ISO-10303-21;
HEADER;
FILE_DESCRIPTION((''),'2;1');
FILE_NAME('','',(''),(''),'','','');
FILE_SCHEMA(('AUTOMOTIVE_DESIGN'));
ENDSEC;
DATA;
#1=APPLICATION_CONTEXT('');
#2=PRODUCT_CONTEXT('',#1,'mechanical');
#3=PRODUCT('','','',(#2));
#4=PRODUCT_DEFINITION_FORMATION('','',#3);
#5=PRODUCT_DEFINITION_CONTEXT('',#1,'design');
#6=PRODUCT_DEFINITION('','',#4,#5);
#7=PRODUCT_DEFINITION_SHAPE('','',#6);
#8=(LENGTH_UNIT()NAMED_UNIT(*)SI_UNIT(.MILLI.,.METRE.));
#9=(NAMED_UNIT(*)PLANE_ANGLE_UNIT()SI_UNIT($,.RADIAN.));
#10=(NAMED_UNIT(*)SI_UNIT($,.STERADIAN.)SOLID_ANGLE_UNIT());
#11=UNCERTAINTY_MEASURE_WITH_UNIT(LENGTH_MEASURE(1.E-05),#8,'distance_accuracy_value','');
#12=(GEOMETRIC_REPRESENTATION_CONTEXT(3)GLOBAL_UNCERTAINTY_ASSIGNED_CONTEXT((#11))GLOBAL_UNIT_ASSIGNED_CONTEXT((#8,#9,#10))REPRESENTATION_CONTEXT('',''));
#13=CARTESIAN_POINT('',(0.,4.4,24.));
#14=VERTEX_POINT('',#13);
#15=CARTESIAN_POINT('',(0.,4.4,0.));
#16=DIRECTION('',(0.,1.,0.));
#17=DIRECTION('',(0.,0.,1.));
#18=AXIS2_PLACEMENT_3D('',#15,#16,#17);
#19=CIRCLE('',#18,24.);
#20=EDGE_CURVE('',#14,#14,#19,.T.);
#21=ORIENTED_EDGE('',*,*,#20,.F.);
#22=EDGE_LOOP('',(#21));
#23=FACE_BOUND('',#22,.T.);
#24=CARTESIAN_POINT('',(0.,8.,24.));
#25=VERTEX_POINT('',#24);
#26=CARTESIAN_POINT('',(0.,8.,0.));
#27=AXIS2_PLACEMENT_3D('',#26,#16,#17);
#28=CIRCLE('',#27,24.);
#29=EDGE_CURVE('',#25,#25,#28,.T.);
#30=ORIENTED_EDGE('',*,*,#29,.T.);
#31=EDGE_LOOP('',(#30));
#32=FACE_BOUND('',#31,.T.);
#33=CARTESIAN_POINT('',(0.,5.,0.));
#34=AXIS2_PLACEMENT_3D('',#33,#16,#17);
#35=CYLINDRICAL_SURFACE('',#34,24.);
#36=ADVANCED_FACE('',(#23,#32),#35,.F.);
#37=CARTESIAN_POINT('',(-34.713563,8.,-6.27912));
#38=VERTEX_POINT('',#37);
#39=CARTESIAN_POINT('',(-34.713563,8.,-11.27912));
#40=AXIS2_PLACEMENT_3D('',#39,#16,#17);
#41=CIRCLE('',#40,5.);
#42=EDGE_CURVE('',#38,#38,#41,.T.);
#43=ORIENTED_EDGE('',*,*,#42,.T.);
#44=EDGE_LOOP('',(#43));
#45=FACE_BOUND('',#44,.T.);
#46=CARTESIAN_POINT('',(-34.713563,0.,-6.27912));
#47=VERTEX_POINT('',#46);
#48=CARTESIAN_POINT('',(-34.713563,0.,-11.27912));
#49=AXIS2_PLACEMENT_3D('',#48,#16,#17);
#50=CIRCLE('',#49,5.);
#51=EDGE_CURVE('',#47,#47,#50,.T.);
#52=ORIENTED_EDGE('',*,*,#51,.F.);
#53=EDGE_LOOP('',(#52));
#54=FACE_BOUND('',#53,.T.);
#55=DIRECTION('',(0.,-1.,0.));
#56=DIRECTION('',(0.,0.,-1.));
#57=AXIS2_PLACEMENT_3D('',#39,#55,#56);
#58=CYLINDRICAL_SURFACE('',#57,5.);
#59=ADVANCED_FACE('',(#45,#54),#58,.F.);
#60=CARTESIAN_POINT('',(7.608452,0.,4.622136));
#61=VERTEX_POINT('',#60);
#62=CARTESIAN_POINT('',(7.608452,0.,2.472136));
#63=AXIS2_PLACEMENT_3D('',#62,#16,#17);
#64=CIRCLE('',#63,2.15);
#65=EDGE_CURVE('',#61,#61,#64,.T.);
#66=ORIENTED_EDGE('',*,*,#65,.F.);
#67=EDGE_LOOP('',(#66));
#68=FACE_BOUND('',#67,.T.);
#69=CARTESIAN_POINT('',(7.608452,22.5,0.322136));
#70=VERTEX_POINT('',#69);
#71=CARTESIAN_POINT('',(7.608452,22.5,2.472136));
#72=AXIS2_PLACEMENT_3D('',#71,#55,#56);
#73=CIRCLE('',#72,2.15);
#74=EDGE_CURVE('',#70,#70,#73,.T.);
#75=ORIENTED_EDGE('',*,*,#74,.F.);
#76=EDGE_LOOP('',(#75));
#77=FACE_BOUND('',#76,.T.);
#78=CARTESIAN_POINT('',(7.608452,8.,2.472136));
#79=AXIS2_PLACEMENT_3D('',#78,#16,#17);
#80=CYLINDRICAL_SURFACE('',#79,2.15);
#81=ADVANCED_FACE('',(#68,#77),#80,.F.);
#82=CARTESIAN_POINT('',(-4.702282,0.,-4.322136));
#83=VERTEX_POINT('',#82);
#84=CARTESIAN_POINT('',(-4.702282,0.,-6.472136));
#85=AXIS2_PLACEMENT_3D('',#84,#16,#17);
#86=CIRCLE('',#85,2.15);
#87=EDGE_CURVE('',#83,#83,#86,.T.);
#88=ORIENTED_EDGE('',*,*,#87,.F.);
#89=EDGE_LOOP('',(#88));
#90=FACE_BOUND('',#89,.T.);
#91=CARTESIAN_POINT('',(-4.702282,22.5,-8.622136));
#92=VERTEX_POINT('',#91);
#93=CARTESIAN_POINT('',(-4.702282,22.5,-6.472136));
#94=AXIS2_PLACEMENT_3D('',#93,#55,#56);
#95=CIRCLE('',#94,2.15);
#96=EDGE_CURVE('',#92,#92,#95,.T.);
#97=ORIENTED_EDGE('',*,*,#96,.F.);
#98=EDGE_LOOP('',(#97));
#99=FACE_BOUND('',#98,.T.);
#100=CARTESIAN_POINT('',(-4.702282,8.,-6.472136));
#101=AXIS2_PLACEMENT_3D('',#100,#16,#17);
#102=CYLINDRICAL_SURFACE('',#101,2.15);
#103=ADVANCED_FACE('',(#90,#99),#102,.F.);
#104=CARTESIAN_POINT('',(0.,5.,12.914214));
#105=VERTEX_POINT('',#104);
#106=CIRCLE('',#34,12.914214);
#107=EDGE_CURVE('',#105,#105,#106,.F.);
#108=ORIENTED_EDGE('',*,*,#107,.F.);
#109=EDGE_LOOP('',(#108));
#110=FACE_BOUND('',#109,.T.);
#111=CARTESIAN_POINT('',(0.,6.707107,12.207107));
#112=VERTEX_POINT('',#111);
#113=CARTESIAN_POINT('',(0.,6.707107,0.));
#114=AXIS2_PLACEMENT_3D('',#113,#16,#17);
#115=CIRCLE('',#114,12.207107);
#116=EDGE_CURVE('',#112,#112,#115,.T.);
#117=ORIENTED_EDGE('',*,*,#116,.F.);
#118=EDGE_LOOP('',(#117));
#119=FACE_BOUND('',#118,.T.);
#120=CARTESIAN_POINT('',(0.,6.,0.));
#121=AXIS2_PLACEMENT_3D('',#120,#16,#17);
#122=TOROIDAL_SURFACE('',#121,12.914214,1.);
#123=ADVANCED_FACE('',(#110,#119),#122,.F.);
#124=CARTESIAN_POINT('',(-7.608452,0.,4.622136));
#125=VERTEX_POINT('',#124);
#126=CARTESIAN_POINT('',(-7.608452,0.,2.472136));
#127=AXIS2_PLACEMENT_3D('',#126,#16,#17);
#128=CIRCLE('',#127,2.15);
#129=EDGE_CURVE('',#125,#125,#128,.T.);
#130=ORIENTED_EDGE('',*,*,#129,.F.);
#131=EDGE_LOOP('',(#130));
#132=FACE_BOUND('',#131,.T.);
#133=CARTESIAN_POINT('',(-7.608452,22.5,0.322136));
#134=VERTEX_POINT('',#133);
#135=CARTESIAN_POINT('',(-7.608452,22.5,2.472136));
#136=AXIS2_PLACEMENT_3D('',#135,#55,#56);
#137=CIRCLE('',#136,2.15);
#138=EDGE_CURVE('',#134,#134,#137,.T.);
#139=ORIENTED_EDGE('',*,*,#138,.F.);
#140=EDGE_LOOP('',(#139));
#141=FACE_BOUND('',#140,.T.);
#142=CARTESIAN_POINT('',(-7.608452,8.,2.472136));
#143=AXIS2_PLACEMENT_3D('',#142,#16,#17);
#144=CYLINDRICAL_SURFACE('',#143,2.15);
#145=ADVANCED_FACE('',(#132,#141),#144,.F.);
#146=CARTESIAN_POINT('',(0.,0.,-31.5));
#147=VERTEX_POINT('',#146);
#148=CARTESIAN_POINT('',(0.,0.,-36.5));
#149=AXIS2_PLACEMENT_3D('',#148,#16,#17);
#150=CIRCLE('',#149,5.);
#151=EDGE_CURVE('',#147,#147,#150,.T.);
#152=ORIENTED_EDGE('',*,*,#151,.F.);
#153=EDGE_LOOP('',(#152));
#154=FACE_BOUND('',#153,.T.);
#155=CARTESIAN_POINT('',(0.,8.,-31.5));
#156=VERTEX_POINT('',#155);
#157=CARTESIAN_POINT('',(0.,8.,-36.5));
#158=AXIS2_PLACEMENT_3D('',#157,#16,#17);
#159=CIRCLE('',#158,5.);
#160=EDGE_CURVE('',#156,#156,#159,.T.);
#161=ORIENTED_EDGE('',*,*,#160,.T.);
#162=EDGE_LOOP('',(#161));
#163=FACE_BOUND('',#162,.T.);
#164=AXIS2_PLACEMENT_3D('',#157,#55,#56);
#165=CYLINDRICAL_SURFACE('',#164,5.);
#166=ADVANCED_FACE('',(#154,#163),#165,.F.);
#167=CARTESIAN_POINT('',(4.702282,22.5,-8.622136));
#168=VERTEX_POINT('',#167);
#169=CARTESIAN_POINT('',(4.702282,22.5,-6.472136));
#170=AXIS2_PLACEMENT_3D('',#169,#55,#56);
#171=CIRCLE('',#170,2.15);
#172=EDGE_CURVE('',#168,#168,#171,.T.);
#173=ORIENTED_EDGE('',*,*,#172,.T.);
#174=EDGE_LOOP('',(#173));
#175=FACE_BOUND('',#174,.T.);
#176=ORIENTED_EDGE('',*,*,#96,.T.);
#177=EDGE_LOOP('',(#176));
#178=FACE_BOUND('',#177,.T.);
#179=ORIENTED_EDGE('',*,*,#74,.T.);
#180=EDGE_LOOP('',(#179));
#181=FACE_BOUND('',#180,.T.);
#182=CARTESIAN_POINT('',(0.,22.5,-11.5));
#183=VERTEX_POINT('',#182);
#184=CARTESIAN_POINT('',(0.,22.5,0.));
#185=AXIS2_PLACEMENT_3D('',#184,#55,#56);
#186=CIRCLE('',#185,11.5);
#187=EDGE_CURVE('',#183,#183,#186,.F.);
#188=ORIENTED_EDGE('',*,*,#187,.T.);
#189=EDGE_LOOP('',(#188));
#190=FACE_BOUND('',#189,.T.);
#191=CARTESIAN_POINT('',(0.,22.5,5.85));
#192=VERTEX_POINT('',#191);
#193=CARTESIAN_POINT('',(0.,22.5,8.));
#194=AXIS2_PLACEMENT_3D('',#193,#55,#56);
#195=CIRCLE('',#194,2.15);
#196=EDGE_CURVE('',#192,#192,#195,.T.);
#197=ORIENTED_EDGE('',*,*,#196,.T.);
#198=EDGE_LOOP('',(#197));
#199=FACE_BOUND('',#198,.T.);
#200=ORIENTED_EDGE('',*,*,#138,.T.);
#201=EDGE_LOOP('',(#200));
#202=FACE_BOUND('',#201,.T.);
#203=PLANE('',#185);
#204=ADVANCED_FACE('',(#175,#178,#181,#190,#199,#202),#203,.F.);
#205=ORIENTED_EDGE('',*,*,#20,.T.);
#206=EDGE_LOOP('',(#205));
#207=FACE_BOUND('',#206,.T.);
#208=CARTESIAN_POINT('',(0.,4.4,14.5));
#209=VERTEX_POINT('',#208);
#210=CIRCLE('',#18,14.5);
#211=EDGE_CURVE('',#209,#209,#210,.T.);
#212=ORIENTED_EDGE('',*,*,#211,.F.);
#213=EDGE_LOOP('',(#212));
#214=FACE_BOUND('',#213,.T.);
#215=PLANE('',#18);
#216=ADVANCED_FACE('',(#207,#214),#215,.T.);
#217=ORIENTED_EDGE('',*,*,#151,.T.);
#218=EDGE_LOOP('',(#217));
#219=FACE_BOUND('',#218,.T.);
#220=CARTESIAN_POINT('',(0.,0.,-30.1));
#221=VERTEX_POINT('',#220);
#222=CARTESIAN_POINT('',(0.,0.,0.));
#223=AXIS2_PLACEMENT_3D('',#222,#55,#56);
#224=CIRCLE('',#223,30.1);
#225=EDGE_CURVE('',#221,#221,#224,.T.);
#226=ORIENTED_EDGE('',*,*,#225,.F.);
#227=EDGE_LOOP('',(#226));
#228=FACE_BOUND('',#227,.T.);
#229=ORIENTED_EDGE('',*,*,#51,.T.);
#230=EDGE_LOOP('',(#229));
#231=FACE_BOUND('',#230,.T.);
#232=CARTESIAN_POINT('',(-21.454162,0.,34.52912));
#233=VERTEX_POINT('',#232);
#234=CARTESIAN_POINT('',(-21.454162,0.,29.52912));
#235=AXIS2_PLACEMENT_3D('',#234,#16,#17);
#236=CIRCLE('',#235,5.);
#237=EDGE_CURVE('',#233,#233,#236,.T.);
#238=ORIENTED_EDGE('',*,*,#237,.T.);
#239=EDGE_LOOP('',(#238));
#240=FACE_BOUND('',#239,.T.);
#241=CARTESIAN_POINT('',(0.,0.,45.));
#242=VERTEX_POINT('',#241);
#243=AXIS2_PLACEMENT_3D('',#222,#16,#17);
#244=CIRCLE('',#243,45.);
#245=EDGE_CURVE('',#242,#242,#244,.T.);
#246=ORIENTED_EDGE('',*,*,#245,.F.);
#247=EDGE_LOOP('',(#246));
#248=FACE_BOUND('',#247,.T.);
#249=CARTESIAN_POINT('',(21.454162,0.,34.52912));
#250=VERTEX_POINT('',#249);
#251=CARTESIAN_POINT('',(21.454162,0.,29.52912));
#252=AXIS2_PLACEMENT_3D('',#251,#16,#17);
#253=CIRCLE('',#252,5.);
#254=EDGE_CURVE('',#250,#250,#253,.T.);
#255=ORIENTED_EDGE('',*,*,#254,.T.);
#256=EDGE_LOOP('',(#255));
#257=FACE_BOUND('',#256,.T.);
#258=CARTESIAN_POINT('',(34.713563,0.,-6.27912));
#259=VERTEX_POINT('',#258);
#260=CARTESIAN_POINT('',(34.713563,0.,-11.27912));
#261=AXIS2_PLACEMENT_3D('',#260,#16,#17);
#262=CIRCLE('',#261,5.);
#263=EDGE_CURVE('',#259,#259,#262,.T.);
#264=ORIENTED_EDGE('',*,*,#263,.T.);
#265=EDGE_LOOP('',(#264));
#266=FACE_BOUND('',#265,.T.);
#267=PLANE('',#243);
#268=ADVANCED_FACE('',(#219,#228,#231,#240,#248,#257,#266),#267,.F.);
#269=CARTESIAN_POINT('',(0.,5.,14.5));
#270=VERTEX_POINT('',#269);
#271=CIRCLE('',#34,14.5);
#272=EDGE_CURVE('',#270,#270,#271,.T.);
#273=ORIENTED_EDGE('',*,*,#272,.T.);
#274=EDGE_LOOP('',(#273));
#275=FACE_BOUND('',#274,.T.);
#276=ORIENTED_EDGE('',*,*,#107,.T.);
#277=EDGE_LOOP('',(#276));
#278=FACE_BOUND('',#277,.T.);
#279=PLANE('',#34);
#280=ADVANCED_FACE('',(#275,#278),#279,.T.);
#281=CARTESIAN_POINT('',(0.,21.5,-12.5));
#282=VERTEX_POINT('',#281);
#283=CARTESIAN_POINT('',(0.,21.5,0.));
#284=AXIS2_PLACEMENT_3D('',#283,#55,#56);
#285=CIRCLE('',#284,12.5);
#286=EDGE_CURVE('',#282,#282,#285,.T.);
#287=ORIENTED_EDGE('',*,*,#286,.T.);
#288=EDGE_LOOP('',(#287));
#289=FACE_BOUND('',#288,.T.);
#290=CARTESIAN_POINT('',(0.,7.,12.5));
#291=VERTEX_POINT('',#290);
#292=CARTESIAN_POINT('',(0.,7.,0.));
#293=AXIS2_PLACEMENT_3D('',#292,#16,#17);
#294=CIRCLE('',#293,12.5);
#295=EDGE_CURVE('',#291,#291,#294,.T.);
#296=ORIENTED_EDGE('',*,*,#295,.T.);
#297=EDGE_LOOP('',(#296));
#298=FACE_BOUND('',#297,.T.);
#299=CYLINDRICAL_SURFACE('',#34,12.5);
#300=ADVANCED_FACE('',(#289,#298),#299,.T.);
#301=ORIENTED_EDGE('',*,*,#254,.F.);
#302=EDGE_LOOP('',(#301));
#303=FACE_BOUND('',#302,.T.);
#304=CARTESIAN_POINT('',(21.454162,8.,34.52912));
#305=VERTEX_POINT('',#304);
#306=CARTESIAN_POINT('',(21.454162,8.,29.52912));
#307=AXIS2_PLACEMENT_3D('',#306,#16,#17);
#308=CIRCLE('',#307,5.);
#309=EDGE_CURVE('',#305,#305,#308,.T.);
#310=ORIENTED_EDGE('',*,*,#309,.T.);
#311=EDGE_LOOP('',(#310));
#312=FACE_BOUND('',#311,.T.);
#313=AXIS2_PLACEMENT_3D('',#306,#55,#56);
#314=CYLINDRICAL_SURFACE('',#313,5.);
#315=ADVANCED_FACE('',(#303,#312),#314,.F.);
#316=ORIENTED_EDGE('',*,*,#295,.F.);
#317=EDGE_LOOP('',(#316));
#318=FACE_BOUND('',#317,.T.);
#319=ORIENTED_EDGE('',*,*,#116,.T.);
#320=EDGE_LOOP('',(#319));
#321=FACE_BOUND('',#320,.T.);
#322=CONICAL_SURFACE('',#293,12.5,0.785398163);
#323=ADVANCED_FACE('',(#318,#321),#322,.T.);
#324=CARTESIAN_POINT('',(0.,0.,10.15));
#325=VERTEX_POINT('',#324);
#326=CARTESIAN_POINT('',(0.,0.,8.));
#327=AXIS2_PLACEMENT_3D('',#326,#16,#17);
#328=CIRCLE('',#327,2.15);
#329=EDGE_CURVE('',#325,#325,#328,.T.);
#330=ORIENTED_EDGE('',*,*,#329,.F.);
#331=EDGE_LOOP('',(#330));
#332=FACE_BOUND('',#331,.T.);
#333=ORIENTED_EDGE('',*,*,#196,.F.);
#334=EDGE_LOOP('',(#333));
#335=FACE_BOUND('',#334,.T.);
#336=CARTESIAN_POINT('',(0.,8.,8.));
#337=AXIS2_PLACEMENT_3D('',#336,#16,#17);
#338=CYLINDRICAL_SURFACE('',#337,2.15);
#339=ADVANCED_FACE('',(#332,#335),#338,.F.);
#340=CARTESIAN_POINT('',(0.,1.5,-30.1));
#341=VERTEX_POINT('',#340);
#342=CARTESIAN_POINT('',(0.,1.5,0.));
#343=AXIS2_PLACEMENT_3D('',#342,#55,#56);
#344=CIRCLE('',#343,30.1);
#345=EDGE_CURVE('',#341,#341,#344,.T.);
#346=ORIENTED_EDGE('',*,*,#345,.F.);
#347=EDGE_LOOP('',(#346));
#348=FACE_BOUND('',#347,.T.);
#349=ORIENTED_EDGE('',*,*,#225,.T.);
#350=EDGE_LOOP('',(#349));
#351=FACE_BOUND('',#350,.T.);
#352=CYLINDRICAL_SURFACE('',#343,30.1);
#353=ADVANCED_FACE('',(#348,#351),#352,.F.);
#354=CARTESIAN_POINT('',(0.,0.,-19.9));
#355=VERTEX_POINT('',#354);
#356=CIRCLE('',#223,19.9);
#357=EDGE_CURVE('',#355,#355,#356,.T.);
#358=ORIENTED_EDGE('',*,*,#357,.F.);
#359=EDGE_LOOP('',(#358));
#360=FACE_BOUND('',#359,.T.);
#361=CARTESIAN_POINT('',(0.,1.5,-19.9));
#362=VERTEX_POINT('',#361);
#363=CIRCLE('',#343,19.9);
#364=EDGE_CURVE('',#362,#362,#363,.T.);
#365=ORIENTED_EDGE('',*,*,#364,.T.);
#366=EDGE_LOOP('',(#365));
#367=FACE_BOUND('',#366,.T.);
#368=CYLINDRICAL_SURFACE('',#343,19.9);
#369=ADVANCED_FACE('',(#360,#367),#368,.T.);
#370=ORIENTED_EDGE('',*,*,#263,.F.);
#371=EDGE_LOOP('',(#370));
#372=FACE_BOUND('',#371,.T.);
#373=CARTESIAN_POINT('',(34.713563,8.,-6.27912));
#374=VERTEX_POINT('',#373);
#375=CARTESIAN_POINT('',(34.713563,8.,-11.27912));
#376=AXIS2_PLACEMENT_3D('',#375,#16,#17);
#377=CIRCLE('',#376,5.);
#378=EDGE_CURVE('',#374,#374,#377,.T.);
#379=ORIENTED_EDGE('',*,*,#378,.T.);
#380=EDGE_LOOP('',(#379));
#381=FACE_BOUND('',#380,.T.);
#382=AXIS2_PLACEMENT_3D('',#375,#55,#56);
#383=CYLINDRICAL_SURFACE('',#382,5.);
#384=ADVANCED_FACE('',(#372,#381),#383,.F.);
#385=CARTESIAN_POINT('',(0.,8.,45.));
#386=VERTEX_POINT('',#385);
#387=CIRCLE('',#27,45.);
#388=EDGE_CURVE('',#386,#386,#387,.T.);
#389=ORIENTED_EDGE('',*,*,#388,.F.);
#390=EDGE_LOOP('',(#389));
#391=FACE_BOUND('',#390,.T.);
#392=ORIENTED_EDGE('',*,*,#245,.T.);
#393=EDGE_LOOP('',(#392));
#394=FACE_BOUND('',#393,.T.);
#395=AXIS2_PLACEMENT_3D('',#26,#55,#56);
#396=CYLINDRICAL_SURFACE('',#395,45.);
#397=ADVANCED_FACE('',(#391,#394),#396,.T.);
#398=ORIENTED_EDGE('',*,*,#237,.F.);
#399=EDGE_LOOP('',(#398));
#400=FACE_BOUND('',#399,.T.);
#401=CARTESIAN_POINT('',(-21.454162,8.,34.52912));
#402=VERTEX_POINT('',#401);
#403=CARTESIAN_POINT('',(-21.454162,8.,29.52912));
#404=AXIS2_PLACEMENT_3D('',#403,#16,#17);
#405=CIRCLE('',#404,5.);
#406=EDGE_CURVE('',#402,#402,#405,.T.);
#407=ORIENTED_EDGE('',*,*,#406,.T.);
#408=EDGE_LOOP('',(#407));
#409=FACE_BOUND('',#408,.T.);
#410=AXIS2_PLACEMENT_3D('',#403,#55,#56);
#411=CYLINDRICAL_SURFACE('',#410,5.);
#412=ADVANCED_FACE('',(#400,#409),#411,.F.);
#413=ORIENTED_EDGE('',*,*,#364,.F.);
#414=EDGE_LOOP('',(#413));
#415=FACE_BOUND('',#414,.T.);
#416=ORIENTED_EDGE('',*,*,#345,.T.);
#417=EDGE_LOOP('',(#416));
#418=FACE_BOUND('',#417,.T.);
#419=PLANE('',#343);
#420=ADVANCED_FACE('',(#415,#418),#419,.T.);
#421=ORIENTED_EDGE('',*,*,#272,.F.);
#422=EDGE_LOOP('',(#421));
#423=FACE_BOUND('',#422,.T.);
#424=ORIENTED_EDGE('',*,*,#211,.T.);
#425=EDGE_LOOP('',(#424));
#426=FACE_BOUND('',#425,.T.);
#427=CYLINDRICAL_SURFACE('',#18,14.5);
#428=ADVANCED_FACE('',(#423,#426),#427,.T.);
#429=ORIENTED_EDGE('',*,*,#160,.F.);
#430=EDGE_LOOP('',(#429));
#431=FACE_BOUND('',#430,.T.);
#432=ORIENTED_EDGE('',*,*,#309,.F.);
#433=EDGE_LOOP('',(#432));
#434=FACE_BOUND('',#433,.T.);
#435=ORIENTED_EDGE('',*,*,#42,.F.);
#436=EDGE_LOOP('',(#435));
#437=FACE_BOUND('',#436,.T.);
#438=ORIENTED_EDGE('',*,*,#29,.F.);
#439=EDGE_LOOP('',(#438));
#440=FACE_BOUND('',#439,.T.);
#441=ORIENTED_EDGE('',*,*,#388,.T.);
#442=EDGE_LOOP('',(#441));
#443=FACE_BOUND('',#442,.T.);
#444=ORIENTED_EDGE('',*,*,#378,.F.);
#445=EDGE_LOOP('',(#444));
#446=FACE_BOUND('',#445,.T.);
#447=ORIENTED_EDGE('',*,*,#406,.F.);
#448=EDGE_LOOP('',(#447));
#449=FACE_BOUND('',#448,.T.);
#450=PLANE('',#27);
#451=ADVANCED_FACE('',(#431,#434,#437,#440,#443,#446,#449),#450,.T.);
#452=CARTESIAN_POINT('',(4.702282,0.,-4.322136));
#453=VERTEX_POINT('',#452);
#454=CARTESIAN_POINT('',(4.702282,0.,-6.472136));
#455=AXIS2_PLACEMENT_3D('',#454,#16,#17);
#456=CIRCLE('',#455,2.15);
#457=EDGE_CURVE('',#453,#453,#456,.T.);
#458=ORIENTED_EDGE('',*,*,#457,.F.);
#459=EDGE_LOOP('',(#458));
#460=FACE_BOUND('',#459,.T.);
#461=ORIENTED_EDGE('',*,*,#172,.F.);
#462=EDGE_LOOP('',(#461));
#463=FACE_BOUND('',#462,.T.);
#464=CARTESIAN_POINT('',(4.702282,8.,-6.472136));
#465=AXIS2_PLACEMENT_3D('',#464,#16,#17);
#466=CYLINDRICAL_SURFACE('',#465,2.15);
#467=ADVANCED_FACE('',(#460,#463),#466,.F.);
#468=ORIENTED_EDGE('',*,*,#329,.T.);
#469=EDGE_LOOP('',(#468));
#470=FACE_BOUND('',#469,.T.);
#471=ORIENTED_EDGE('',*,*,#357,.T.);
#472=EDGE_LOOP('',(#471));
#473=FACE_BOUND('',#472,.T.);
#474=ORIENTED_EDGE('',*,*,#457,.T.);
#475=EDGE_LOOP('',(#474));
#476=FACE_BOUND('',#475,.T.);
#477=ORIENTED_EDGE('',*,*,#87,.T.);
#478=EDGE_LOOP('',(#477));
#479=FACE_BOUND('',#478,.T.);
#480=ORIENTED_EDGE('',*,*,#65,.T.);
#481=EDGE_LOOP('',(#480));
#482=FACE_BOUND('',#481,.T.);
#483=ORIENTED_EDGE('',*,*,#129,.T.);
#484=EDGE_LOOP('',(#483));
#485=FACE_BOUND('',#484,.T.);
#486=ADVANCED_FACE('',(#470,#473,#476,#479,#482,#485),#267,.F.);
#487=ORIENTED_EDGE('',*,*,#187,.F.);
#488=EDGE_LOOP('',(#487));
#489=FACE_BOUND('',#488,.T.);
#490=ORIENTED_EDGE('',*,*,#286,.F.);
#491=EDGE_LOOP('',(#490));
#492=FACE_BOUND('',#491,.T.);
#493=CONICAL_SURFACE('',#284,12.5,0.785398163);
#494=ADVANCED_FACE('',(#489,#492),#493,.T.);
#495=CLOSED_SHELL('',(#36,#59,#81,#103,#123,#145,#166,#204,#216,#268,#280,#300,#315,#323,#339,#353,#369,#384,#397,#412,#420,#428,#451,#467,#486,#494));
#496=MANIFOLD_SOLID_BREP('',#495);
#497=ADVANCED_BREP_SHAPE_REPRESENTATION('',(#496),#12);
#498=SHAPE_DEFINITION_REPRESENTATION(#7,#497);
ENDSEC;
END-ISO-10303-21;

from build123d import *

# Parameters (mm, degrees)
SKETCH1_R                  = 45
SKETCH1_R_2                = 5
BOSS_EXTRUDE1_DEPTH        = 8
F_4_3_4_3_DIAMETER_HOLE1_D = 4.3
SKETCH6_R                  = 30.1
SKETCH6_R_2                = 19.9
CUT_EXTRUDE2_DEPTH         = 1.5
SKETCH8_R                  = 24
SKETCH8_R_2                = 12.5
CUT_EXTRUDE3_DEPTH         = 3
SKETCH9_R                  = 24
SKETCH9_R_2                = 14.5
CUT_EXTRUDE4_DEPTH         = 0.6
SKETCH10_R                 = 12.5
SKETCH10_R_2               = 2.15
BOSS_EXTRUDE2_DEPTH        = 14.5
CHAMFER1_SIZE              = 1
FILLET1_R                  = 1


with BuildPart() as part:
    # Sketch1 → Boss-Extrude1 (new body)
    with BuildSketch(Plane(origin=(0, 0, 0), x_dir=(1, 0, 0), z_dir=(0, 1, 0))):
        with Locations(Location((0, 0, 0), (0, 0, 270))):
            Circle(SKETCH1_R)
        with Locations(Location((0, 36.5, 0), (0, 0, 270))):
            Circle(SKETCH1_R_2, mode=Mode.SUBTRACT)
        with Locations(Location((34.713562845, 11.279120295, 0), (0, 0, 270))):
            Circle(SKETCH1_R_2, mode=Mode.SUBTRACT)
        with Locations(Location((21.454161709, -29.529120295, 0), (0, 0, 270))):
            Circle(SKETCH1_R_2, mode=Mode.SUBTRACT)
        with Locations(Location((-21.454161709, -29.529120295, 0), (0, 0, 270))):
            Circle(SKETCH1_R_2, mode=Mode.SUBTRACT)
        with Locations(Location((-34.713562845, 11.279120295, 0), (0, 0, 270))):
            Circle(SKETCH1_R_2, mode=Mode.SUBTRACT)
    extrude(amount=BOSS_EXTRUDE1_DEPTH)

    # Ø4.3 (4.3) Diameter Hole1 (through all)
    with Locations(Plane(origin=(0, 8, 0), x_dir=(1, 0, 0), z_dir=(0, 1, 0))):
        with Locations((-7.60845213, -2.472135955), (-4.702282018, 6.472135955), (4.702282018, 6.472135955), (7.60845213, -2.472135955), (0, -8)):
            Hole(F_4_3_4_3_DIAMETER_HOLE1_D / 2)

    # Sketch6 → Cut-Extrude2 (cut)
    with BuildSketch(Plane.XZ):
        with Locations(Location((0, 0, 0), (0, 0, 270))):
            Circle(SKETCH6_R)
        with Locations(Location((0, 0, 0), (0, 0, 270))):
            Circle(SKETCH6_R_2, mode=Mode.SUBTRACT)
    extrude(amount=-CUT_EXTRUDE2_DEPTH, mode=Mode.SUBTRACT)

    # Sketch8 → Cut-Extrude3 (cut)
    with BuildSketch(Plane(origin=(0, 8, 0), x_dir=(1, 0, 0), z_dir=(0, 1, 0))):
        with Locations(Location((0, 0, 0), (0, 0, 270))):
            Circle(SKETCH8_R)
        with Locations(Location((0, 0, 0), (0, 0, 270))):
            Circle(SKETCH8_R_2, mode=Mode.SUBTRACT)
    extrude(amount=-CUT_EXTRUDE3_DEPTH, mode=Mode.SUBTRACT)

    # Sketch9 → Cut-Extrude4 (cut)
    with BuildSketch(Plane(origin=(0, 5, 0), x_dir=(1, 0, 0), z_dir=(0, 1, 0))):
        with Locations(Location((0, 0, 0), (0, 0, 270))):
            Circle(SKETCH9_R)
        with Locations(Location((0, 0, 0), (0, 0, 270))):
            Circle(SKETCH9_R_2, mode=Mode.SUBTRACT)
    extrude(amount=-CUT_EXTRUDE4_DEPTH, mode=Mode.SUBTRACT)

    # Sketch10 → Boss-Extrude2 (add)
    with BuildSketch(Plane.XZ.offset(-8)):
        with Locations(Location((0, 0, 0), (0, 0, 90))):
            Circle(SKETCH10_R)
        with Locations(Location((7.60845213, 2.472135955, 0), (0, 0, 90))):
            Circle(SKETCH10_R_2, mode=Mode.SUBTRACT)
        with Locations(Location((4.702282018, -6.472135955, 0), (0, 0, 90))):
            Circle(SKETCH10_R_2, mode=Mode.SUBTRACT)
        with Locations(Location((-4.702282018, -6.472135955, 0), (0, 0, 90))):
            Circle(SKETCH10_R_2, mode=Mode.SUBTRACT)
        with Locations(Location((-7.60845213, 2.472135955, 0), (0, 0, 90))):
            Circle(SKETCH10_R_2, mode=Mode.SUBTRACT)
        with Locations(Location((0, 8, 0), (0, 0, 90))):
            Circle(SKETCH10_R_2, mode=Mode.SUBTRACT)
    extrude(amount=-BOSS_EXTRUDE2_DEPTH)

    # Chamfer1
    chamfer1_edges = [part.edges().sort_by_distance(p)[0] for p in [
        (0, 22.5, -12.5),
    ]]
    chamfer(chamfer1_edges, length=CHAMFER1_SIZE)

    # Sketch11 → Cut-Revolve1 (revolve, cut)
    with BuildSketch(Plane.XY, mode=Mode.PRIVATE) as cut_revolve1_sk:
        Polygon((12.5, 5), (12.5, 7), (10.5, 5), align=None)
    revolve(cut_revolve1_sk.sketch.rotate(Axis((0, 1.5, 0), (0, -1, 0)), 90), axis=Axis((0, 1.5, 0), (0, -1, 0)), mode=Mode.SUBTRACT)

    # Fillet1
    fillet1_edges = [part.edges().sort_by_distance(p)[0] for p in [
        (0, 5, -10.5),
    ]]
    fillet(fillet1_edges, radius=FILLET1_R)


solid = part.part
